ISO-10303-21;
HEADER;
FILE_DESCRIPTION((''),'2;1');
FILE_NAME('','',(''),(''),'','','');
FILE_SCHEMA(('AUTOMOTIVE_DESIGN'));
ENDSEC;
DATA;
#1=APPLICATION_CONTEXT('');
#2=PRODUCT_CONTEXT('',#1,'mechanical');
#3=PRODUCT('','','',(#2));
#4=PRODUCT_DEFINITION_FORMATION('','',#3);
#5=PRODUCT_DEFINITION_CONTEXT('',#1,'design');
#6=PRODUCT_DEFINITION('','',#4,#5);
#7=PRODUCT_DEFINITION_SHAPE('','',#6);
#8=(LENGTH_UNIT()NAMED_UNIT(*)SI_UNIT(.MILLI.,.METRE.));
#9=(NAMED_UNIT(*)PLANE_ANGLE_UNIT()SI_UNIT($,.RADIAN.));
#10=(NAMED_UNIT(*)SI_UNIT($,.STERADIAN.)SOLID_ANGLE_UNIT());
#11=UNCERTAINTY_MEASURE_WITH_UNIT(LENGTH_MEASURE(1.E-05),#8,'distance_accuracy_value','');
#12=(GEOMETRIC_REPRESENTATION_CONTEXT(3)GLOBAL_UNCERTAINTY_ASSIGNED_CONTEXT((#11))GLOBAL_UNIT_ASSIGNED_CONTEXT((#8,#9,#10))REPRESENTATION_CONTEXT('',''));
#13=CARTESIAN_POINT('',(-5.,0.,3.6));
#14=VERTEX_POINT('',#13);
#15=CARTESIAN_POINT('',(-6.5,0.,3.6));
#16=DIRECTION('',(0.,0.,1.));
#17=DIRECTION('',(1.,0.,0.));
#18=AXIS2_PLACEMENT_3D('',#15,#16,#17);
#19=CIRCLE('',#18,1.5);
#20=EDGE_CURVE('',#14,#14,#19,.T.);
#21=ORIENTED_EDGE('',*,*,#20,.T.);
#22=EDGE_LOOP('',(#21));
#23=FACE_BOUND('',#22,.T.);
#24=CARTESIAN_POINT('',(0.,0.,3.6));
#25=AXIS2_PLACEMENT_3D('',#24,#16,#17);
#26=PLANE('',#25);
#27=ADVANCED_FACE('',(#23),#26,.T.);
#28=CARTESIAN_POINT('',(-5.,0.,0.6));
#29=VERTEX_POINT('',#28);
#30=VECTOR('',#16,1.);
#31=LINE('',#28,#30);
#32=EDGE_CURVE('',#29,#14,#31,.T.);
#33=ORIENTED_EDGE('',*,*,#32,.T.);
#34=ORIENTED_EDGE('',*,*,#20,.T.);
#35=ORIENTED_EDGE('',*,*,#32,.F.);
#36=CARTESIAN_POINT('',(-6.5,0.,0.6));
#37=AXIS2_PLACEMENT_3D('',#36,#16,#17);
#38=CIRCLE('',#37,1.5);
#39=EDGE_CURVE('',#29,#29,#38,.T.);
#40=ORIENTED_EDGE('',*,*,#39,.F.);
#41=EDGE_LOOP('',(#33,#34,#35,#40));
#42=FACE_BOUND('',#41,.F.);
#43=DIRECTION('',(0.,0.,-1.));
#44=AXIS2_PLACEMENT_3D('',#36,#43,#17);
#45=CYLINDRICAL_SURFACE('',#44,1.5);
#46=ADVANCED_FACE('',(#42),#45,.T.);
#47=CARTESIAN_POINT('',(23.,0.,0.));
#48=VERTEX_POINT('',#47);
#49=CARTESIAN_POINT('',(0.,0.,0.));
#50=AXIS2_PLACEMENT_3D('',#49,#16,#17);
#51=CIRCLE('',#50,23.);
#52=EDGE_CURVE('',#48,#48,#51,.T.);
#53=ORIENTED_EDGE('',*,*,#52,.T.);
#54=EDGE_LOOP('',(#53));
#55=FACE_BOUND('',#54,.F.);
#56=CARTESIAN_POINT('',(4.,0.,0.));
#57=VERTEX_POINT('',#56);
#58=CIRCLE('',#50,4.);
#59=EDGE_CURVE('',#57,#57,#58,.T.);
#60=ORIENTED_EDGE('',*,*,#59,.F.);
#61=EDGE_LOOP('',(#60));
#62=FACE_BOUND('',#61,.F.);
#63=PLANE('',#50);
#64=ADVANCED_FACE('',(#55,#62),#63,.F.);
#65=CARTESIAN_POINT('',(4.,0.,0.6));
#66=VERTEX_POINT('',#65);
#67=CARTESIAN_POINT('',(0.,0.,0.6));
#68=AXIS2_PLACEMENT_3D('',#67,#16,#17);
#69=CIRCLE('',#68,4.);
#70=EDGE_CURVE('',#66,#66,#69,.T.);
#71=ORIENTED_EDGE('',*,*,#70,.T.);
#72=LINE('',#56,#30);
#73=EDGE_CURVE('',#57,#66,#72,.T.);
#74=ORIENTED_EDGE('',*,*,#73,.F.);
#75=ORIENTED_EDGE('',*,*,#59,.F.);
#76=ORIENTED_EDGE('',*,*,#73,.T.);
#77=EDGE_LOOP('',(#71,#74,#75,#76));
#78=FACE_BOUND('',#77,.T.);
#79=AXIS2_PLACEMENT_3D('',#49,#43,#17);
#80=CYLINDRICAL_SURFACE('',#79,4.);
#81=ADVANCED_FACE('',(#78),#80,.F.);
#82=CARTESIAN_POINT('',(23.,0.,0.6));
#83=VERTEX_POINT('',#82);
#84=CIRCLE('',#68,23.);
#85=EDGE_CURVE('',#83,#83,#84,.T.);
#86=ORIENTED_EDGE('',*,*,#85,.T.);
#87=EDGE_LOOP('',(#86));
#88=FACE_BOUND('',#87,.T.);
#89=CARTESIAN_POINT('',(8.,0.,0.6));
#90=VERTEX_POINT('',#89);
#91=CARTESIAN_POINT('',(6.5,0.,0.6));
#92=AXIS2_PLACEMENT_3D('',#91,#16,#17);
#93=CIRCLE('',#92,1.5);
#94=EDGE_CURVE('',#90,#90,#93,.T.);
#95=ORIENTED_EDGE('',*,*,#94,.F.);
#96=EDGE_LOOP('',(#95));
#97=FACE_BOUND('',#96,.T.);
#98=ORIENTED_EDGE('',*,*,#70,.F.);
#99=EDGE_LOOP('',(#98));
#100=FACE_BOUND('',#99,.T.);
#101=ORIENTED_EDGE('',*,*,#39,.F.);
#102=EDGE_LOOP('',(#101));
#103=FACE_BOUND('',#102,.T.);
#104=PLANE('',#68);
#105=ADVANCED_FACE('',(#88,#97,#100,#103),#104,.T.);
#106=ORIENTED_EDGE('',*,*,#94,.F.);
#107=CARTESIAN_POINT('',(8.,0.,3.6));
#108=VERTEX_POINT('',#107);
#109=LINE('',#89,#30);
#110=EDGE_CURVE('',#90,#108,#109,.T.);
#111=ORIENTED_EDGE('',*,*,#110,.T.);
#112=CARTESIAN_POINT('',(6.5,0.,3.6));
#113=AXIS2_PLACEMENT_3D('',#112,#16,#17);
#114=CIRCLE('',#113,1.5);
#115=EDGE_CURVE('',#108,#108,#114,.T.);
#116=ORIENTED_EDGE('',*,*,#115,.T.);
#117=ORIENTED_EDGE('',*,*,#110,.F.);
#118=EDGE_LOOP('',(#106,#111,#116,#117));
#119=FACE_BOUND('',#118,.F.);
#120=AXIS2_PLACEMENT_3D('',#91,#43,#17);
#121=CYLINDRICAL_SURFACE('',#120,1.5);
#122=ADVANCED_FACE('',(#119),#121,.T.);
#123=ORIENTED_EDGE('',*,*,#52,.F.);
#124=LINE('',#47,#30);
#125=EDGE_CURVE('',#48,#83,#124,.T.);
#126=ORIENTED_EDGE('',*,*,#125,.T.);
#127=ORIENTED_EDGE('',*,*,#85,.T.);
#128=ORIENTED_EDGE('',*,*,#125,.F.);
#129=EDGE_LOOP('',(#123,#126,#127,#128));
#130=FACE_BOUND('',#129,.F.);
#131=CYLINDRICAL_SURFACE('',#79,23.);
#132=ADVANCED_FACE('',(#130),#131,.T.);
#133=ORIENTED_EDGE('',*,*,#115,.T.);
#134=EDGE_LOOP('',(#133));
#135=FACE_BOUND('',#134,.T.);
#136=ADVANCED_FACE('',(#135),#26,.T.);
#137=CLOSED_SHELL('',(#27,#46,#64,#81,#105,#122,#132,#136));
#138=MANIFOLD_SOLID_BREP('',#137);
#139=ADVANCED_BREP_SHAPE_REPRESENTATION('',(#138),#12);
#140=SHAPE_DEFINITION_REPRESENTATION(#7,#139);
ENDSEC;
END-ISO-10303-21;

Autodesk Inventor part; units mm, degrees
ref_plane "YZ Plane" through (0, 0, 0) normal (1, 0, 0) x (0, 1, 0)
ref_plane "XZ Plane" through (0, 0, 0) normal (0, 1, 0) x (-1, 0, 0)
ref_plane "XY Plane" through (0, 0, 0) normal (0, 0, 1) x (1, 0, 0)
sketch "スケッチ1" plane through (0, 0, 0) normal (0, 0, 1) x (1, 0, 0)
  circle A0 centre (0, 0) radius 23
  circle A1 centre (0, 0) radius 4
  dimension "d0" = 46
  dimension "d1" = 8
extrude "押し出し1" add sketch "スケッチ1" along normal blind 0.6
sketch "スケッチ2" plane through (0, 0, 0.6) normal (0, 0, 1) x (1, 0, 0)
  circle A0 centre (0, 0) radius 6.5 construction
  circle A1 centre (-6.5, 0) radius 1.5
  circle A2 centre (6.5, 0) radius 1.5
  dimension "d4" = 13
  dimension "d5" = 3
extrude "押し出し2" add sketch "スケッチ2" along normal blind 3
properties part number "SlitDiscSupport2"
